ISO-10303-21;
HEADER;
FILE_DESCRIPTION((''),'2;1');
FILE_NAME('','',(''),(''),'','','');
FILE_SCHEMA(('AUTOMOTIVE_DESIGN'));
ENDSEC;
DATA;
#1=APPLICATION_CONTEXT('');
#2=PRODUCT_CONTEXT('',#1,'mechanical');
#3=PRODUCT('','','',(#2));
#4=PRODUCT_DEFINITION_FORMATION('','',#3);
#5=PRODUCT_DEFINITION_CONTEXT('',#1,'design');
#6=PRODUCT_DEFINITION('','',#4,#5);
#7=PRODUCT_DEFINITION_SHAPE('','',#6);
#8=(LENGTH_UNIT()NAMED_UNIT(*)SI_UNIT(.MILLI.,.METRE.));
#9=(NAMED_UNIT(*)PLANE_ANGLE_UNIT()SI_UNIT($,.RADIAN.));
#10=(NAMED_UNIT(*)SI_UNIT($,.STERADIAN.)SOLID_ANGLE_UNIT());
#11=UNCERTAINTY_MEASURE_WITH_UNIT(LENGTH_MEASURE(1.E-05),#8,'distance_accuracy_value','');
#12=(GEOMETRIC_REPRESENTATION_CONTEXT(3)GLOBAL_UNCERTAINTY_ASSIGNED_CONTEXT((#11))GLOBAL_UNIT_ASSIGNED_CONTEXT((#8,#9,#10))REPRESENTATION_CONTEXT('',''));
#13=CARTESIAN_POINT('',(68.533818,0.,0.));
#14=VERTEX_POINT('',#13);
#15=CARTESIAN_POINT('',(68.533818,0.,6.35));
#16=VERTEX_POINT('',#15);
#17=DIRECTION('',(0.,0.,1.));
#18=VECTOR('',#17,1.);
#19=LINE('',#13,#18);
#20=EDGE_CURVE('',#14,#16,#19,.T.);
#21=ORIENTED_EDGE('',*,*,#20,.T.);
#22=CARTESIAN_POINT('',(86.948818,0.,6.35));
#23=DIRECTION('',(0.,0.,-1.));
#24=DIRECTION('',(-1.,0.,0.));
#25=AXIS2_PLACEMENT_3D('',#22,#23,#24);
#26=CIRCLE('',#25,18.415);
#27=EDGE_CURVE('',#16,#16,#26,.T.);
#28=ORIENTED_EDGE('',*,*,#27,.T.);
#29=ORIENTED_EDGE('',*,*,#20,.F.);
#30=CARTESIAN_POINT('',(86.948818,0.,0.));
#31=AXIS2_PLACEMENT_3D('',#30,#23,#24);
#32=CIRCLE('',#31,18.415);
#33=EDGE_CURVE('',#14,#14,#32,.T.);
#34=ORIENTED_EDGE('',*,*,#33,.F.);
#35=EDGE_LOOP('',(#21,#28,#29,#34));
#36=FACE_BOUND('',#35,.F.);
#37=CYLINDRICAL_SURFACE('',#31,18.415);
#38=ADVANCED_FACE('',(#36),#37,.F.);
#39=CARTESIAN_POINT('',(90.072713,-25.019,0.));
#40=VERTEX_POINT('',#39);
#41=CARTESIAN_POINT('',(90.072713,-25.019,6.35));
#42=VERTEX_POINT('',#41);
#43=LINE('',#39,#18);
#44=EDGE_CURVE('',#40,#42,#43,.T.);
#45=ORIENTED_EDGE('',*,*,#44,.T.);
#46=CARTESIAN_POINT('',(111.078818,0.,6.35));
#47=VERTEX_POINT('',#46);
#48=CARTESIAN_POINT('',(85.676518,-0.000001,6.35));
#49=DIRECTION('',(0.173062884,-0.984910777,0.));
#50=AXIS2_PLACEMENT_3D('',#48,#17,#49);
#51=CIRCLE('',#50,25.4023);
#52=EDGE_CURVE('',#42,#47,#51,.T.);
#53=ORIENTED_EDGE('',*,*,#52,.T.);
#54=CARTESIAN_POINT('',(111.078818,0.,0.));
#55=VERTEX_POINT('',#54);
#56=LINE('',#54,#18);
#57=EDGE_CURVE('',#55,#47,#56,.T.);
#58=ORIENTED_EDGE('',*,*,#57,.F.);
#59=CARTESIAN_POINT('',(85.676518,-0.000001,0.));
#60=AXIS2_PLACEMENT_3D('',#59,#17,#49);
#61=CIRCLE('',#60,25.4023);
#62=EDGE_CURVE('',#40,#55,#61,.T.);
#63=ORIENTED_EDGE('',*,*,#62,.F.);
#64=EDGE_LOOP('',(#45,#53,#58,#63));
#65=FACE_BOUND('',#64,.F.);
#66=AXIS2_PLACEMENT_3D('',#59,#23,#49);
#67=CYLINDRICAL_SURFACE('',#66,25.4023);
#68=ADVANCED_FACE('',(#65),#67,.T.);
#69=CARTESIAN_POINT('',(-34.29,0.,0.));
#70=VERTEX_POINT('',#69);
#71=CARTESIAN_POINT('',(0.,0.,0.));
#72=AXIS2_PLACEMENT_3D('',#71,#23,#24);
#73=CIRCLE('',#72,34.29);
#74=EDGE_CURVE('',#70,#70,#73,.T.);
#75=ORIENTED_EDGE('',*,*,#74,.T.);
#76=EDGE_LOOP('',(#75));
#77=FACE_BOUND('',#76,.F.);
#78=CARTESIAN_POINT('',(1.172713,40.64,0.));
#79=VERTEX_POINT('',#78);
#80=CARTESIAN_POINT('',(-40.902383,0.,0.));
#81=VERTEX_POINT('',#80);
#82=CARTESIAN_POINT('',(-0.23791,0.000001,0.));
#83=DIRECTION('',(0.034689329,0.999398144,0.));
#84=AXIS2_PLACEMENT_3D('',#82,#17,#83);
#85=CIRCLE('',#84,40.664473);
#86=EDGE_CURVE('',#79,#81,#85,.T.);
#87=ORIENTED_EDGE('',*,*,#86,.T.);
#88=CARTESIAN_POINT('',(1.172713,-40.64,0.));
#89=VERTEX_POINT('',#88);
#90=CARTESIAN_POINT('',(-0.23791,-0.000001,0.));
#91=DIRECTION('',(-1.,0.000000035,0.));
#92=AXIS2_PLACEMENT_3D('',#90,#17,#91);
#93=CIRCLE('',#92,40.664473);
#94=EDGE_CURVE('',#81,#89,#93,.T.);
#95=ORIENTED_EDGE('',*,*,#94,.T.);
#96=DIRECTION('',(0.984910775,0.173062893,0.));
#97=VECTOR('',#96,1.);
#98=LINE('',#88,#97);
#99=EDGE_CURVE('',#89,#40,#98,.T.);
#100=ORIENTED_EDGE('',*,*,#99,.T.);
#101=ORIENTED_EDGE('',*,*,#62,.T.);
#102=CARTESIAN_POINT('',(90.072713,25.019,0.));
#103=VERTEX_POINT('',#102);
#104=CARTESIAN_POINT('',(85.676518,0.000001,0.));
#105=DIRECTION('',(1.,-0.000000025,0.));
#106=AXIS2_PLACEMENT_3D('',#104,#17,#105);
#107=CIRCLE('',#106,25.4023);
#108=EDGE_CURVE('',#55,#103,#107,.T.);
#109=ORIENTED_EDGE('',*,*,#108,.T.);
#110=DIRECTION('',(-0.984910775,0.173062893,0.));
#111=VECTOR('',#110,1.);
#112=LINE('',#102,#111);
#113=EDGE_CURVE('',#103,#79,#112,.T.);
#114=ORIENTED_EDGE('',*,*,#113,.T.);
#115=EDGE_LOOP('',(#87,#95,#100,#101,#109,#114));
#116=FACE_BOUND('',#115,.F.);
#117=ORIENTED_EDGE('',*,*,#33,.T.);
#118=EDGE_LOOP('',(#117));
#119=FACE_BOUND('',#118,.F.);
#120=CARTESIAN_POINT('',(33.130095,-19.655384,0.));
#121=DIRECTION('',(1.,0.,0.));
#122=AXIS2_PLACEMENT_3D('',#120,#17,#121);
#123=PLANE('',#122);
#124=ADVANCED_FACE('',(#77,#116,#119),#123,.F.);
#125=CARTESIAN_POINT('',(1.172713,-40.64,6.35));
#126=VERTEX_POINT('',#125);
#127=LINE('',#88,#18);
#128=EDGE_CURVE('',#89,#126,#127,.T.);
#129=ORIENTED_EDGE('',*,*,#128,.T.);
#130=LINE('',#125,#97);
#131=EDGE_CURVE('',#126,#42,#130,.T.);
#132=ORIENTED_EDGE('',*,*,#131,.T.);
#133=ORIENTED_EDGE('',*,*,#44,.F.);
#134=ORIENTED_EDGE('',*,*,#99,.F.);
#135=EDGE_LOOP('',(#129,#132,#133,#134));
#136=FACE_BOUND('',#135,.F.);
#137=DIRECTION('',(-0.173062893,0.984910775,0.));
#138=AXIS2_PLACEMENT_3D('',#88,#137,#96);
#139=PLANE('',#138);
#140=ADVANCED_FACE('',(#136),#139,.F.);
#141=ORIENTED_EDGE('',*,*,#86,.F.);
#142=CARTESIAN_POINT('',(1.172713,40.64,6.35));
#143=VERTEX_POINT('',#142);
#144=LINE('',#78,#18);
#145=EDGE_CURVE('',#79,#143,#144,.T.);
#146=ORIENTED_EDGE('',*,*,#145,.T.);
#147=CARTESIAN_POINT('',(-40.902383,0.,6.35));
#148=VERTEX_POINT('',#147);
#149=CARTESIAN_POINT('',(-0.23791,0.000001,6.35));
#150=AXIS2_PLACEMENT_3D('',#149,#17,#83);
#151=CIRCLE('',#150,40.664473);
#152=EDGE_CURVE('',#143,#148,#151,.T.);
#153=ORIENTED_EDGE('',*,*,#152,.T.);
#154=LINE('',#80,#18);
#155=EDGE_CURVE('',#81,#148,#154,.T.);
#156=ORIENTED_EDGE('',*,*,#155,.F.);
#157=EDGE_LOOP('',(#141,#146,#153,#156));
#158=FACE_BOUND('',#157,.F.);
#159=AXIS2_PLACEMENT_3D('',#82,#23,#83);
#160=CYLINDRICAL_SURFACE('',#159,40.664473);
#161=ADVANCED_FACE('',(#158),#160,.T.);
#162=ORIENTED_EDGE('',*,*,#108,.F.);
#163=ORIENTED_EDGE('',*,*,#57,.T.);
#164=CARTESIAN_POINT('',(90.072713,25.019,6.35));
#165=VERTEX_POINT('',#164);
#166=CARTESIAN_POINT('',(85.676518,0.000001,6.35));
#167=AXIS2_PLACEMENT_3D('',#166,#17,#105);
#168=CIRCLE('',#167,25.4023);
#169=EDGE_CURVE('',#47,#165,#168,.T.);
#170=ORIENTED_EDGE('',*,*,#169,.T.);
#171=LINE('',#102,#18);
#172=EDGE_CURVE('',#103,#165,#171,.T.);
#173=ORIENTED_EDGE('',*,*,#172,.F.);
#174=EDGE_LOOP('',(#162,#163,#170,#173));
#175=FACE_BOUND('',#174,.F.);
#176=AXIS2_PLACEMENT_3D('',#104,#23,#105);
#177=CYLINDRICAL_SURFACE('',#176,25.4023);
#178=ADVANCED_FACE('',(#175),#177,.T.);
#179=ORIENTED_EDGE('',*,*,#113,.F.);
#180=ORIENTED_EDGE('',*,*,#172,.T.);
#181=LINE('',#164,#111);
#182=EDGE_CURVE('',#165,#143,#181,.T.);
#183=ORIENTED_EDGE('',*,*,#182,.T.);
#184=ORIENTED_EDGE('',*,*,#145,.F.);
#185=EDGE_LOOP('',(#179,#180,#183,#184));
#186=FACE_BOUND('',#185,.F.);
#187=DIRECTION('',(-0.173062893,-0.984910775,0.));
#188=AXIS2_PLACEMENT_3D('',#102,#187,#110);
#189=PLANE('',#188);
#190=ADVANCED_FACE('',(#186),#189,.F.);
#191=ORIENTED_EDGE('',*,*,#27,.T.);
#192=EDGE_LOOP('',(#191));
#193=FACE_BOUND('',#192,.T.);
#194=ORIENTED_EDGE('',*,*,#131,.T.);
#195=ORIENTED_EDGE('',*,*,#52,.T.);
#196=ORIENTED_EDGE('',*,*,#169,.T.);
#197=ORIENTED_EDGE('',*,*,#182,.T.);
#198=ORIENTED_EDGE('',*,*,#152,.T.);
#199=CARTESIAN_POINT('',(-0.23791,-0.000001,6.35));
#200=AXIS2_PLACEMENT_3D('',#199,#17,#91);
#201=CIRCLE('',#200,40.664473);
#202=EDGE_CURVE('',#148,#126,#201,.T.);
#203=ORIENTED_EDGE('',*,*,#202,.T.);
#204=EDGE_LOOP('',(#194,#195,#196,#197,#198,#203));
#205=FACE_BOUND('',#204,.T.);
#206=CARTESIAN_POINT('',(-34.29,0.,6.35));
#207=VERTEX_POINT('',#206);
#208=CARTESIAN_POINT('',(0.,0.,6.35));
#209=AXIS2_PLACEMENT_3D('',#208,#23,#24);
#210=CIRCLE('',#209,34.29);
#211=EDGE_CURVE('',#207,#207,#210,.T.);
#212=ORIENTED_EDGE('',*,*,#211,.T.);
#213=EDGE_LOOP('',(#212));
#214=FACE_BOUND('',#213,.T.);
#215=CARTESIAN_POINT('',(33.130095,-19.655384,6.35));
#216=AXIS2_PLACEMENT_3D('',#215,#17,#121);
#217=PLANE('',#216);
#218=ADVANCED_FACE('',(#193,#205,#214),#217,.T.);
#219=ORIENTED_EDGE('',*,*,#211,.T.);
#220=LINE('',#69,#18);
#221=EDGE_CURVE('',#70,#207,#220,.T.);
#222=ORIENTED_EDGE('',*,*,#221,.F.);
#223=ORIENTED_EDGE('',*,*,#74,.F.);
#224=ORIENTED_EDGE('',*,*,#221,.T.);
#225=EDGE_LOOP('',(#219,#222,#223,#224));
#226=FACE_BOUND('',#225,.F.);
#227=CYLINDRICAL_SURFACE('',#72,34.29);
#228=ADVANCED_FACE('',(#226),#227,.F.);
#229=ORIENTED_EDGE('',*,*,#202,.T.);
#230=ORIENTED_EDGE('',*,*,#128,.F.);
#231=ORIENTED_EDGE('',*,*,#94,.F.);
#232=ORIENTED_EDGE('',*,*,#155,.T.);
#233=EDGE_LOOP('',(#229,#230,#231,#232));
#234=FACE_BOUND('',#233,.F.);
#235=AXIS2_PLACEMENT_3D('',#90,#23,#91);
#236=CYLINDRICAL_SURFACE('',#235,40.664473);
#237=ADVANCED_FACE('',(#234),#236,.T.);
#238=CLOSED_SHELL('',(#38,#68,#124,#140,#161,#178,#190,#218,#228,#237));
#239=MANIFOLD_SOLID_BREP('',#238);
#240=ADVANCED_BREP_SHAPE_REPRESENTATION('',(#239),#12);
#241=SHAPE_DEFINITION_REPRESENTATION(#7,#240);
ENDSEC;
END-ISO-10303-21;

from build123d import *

# Parameters (mm, degrees)
F1_DEPTH = 6.35


with BuildPart() as f1:
    # F0 (on Top) → F1 (new body)
    with BuildSketch(Plane.XY):
        with BuildLine():
            Line((68.533818, 0), (34.29, 0))
            ThreePointArc((34.29, 0), (0, -34.29), (-34.29, 0))
            Line((-34.29, 0), (-40.902383, 0))
            ThreePointArc((-40.902383, 0), (-28.488903, -29.248604), (1.172713, -40.64))
            Line((1.172713, -40.64), (90.072713, -25.019))
            ThreePointArc((90.072713, -25.019), (105.130956, -16.334066), (111.078818, 0))
            Line((111.078818, 0), (105.363818, 0))
            ThreePointArc((105.363818, 0), (86.948818, -18.415), (68.533818, 0))
        make_face()
        with BuildLine():
            ThreePointArc((-34.29, 0), (0, 34.29), (34.29, 0))
            Line((34.29, 0), (68.533818, 0))
            ThreePointArc((68.533818, 0), (86.948818, 18.415), (105.363818, 0))
            Line((105.363818, 0), (111.078818, 0))
            ThreePointArc((111.078818, 0), (105.130956, 16.334066), (90.072713, 25.019))
            Line((90.072713, 25.019), (1.172713, 40.64))
            ThreePointArc((1.172713, 40.64), (-28.488903, 29.248604), (-40.902383, 0))
            Line((-40.902383, 0), (-34.29, 0))
        make_face()
    extrude(amount=F1_DEPTH)


solid = f1.part
